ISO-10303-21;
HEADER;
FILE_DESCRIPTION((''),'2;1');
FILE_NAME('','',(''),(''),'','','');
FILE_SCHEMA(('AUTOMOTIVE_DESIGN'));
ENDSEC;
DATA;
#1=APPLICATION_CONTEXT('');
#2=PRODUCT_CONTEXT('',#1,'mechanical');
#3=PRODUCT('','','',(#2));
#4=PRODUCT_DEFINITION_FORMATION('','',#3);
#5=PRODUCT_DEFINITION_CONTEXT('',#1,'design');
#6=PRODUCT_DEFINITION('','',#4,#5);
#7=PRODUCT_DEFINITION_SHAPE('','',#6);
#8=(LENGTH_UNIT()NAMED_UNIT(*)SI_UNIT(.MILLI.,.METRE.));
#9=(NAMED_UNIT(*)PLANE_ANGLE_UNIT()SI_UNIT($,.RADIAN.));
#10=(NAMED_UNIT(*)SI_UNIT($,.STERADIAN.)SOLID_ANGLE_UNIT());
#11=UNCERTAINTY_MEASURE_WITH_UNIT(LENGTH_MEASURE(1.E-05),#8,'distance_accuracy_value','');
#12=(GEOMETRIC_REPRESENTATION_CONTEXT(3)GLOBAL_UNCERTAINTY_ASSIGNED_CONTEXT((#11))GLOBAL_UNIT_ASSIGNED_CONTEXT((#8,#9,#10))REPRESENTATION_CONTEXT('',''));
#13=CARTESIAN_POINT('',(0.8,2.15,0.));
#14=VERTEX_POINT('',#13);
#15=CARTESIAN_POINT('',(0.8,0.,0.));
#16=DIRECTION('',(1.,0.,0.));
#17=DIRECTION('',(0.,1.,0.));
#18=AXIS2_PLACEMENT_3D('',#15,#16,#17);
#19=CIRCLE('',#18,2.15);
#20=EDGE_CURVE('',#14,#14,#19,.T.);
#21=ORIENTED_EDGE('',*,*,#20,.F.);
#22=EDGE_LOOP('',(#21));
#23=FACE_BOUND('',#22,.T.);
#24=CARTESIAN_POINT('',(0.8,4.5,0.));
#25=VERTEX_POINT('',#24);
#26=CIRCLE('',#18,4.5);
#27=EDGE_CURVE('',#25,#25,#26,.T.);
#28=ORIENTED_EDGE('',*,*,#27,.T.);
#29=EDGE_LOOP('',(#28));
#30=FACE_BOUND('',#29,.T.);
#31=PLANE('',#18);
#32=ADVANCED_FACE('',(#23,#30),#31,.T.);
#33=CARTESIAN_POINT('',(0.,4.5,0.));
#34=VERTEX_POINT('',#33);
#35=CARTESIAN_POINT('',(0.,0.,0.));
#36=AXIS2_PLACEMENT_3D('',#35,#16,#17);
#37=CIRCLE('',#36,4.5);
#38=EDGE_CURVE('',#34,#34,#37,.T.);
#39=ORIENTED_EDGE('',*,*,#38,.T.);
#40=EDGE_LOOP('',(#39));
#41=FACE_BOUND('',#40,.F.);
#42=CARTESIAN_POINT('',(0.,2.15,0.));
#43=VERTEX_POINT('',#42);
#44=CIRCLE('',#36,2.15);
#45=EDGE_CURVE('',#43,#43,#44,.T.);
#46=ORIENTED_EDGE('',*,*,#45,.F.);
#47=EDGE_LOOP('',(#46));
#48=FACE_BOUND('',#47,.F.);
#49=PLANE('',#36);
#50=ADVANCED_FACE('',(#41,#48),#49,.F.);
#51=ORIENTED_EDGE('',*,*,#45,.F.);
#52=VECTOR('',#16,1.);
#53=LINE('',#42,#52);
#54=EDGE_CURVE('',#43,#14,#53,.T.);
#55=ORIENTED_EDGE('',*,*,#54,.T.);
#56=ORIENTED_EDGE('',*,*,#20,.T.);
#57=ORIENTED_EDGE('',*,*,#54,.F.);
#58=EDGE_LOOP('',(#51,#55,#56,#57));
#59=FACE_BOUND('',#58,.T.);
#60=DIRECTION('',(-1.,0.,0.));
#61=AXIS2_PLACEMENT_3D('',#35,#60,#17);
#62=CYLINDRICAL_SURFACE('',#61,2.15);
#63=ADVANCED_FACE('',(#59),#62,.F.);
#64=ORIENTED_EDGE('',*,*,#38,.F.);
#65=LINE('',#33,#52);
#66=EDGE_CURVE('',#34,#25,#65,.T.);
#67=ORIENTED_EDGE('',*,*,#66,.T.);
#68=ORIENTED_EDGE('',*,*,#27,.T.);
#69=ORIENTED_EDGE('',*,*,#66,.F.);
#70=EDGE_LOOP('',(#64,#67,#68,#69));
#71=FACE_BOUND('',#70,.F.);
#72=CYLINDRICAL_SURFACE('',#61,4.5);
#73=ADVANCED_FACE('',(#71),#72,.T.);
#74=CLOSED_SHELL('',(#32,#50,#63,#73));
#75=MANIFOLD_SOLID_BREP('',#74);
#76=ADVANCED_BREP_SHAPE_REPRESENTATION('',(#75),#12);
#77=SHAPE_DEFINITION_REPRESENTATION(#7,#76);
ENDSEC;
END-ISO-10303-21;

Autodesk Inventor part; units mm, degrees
ref_plane "YZ Plane" through (0, 0, 0) normal (1, 0, 0) x (0, 1, 0)
ref_plane "XZ Plane" through (0, 0, 0) normal (0, 1, 0) x (-1, 0, 0)
sketch "Sketch" plane through (0, 0, 0) normal (1, 0, 0) x (0, 1, 0)
  circle A0 centre (0, 0) radius 4.5
  circle A1 centre (0, 0) radius 2.15
  dimension "d0" = 4.3
  dimension "d1" = 9
extrude "Body" add sketch "Sketch" along normal blind 0.8
ref_plane "Work Plane1" through (0, 0, 0) normal (0, 0, 1) x (1, 0, 0)
equation "\"d0\" = SD1"
equation "\"d1\" = SD2"
equation "\"d2\" = SD"
equation "\"SD1\" = 4.3"
equation "\"SD2\" = 9"
equation "\"SD\" = 0.8"
equation "\"NND\" = 4"
properties part number "ISO 7089 - 4 - 140 HV" material "Steel"
